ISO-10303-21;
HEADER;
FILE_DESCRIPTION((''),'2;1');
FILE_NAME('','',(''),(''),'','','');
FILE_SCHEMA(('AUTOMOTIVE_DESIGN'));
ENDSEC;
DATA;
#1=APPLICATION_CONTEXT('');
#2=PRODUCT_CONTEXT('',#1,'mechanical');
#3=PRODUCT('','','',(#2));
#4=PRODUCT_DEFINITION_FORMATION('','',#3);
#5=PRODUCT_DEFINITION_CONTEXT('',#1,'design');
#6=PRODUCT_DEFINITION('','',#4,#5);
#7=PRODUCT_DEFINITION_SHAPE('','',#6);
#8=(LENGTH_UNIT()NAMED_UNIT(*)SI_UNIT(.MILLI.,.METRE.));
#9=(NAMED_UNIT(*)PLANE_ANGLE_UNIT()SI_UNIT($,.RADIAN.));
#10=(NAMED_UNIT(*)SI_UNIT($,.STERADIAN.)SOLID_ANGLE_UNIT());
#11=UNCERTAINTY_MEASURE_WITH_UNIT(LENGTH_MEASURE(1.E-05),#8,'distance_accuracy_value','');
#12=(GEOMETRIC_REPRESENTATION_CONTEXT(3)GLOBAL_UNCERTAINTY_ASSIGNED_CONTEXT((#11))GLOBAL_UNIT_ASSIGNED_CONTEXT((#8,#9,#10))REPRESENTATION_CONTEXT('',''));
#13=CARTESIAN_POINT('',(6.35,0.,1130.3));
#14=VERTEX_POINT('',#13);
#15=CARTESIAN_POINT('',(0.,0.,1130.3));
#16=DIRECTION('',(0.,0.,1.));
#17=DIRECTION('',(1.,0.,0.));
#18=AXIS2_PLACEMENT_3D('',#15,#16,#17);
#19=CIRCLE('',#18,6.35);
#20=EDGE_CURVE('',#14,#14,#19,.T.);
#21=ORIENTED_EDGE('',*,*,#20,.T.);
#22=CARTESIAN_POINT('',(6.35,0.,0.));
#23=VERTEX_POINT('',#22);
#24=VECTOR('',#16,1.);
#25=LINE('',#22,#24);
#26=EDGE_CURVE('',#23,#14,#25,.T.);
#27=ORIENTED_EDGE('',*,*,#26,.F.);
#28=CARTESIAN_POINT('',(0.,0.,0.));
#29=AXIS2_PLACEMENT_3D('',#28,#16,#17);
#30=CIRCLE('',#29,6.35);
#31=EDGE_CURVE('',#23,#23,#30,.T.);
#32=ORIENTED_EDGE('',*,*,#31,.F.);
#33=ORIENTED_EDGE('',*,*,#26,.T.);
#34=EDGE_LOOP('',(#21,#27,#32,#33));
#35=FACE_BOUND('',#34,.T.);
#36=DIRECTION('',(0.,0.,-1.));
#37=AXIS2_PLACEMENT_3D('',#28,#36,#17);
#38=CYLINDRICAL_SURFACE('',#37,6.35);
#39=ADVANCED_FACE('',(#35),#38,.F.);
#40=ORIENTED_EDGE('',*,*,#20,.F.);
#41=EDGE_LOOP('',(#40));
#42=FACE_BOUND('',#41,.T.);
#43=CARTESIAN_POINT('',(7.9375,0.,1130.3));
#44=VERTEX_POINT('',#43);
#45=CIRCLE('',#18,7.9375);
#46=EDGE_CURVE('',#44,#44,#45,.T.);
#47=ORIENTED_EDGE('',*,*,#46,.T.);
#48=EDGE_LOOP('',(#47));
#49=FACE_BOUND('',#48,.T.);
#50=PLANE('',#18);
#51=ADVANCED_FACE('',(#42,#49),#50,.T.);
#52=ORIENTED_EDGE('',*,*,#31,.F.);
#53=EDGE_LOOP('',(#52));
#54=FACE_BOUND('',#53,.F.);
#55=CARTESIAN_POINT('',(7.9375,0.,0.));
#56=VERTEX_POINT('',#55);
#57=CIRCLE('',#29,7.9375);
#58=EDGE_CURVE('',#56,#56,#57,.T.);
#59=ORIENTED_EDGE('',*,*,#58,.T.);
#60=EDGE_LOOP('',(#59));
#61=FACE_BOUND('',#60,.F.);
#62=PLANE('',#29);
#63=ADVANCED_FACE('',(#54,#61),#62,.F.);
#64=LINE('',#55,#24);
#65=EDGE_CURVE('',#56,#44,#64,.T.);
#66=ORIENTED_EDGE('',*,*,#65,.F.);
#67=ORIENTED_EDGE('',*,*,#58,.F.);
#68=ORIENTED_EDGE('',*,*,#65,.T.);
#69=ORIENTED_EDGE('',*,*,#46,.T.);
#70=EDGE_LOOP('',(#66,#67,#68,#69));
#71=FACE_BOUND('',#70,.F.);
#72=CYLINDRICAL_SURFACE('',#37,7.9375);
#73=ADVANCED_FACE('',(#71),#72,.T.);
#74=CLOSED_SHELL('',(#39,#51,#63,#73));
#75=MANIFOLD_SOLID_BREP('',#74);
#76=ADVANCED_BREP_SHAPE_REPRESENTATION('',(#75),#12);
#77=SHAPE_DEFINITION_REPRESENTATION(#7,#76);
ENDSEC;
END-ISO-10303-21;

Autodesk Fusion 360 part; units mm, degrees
sketch "Sketch1" plane through (0, 0, 0) normal (0, 0, 1) x (1, 0, 0)
  circle A0 centre (0, 0) radius 7.9375
  circle A1 centre (0, 0) radius 6.35
  dimension "d1" = 15.875
  dimension "d2" = 12.7
extrude "Extrude1" add sketch "Sketch1" along normal blind 1130.3
equation "d1 = 0'- 5/8\""
equation "d2 = 0'- 1/2\""
